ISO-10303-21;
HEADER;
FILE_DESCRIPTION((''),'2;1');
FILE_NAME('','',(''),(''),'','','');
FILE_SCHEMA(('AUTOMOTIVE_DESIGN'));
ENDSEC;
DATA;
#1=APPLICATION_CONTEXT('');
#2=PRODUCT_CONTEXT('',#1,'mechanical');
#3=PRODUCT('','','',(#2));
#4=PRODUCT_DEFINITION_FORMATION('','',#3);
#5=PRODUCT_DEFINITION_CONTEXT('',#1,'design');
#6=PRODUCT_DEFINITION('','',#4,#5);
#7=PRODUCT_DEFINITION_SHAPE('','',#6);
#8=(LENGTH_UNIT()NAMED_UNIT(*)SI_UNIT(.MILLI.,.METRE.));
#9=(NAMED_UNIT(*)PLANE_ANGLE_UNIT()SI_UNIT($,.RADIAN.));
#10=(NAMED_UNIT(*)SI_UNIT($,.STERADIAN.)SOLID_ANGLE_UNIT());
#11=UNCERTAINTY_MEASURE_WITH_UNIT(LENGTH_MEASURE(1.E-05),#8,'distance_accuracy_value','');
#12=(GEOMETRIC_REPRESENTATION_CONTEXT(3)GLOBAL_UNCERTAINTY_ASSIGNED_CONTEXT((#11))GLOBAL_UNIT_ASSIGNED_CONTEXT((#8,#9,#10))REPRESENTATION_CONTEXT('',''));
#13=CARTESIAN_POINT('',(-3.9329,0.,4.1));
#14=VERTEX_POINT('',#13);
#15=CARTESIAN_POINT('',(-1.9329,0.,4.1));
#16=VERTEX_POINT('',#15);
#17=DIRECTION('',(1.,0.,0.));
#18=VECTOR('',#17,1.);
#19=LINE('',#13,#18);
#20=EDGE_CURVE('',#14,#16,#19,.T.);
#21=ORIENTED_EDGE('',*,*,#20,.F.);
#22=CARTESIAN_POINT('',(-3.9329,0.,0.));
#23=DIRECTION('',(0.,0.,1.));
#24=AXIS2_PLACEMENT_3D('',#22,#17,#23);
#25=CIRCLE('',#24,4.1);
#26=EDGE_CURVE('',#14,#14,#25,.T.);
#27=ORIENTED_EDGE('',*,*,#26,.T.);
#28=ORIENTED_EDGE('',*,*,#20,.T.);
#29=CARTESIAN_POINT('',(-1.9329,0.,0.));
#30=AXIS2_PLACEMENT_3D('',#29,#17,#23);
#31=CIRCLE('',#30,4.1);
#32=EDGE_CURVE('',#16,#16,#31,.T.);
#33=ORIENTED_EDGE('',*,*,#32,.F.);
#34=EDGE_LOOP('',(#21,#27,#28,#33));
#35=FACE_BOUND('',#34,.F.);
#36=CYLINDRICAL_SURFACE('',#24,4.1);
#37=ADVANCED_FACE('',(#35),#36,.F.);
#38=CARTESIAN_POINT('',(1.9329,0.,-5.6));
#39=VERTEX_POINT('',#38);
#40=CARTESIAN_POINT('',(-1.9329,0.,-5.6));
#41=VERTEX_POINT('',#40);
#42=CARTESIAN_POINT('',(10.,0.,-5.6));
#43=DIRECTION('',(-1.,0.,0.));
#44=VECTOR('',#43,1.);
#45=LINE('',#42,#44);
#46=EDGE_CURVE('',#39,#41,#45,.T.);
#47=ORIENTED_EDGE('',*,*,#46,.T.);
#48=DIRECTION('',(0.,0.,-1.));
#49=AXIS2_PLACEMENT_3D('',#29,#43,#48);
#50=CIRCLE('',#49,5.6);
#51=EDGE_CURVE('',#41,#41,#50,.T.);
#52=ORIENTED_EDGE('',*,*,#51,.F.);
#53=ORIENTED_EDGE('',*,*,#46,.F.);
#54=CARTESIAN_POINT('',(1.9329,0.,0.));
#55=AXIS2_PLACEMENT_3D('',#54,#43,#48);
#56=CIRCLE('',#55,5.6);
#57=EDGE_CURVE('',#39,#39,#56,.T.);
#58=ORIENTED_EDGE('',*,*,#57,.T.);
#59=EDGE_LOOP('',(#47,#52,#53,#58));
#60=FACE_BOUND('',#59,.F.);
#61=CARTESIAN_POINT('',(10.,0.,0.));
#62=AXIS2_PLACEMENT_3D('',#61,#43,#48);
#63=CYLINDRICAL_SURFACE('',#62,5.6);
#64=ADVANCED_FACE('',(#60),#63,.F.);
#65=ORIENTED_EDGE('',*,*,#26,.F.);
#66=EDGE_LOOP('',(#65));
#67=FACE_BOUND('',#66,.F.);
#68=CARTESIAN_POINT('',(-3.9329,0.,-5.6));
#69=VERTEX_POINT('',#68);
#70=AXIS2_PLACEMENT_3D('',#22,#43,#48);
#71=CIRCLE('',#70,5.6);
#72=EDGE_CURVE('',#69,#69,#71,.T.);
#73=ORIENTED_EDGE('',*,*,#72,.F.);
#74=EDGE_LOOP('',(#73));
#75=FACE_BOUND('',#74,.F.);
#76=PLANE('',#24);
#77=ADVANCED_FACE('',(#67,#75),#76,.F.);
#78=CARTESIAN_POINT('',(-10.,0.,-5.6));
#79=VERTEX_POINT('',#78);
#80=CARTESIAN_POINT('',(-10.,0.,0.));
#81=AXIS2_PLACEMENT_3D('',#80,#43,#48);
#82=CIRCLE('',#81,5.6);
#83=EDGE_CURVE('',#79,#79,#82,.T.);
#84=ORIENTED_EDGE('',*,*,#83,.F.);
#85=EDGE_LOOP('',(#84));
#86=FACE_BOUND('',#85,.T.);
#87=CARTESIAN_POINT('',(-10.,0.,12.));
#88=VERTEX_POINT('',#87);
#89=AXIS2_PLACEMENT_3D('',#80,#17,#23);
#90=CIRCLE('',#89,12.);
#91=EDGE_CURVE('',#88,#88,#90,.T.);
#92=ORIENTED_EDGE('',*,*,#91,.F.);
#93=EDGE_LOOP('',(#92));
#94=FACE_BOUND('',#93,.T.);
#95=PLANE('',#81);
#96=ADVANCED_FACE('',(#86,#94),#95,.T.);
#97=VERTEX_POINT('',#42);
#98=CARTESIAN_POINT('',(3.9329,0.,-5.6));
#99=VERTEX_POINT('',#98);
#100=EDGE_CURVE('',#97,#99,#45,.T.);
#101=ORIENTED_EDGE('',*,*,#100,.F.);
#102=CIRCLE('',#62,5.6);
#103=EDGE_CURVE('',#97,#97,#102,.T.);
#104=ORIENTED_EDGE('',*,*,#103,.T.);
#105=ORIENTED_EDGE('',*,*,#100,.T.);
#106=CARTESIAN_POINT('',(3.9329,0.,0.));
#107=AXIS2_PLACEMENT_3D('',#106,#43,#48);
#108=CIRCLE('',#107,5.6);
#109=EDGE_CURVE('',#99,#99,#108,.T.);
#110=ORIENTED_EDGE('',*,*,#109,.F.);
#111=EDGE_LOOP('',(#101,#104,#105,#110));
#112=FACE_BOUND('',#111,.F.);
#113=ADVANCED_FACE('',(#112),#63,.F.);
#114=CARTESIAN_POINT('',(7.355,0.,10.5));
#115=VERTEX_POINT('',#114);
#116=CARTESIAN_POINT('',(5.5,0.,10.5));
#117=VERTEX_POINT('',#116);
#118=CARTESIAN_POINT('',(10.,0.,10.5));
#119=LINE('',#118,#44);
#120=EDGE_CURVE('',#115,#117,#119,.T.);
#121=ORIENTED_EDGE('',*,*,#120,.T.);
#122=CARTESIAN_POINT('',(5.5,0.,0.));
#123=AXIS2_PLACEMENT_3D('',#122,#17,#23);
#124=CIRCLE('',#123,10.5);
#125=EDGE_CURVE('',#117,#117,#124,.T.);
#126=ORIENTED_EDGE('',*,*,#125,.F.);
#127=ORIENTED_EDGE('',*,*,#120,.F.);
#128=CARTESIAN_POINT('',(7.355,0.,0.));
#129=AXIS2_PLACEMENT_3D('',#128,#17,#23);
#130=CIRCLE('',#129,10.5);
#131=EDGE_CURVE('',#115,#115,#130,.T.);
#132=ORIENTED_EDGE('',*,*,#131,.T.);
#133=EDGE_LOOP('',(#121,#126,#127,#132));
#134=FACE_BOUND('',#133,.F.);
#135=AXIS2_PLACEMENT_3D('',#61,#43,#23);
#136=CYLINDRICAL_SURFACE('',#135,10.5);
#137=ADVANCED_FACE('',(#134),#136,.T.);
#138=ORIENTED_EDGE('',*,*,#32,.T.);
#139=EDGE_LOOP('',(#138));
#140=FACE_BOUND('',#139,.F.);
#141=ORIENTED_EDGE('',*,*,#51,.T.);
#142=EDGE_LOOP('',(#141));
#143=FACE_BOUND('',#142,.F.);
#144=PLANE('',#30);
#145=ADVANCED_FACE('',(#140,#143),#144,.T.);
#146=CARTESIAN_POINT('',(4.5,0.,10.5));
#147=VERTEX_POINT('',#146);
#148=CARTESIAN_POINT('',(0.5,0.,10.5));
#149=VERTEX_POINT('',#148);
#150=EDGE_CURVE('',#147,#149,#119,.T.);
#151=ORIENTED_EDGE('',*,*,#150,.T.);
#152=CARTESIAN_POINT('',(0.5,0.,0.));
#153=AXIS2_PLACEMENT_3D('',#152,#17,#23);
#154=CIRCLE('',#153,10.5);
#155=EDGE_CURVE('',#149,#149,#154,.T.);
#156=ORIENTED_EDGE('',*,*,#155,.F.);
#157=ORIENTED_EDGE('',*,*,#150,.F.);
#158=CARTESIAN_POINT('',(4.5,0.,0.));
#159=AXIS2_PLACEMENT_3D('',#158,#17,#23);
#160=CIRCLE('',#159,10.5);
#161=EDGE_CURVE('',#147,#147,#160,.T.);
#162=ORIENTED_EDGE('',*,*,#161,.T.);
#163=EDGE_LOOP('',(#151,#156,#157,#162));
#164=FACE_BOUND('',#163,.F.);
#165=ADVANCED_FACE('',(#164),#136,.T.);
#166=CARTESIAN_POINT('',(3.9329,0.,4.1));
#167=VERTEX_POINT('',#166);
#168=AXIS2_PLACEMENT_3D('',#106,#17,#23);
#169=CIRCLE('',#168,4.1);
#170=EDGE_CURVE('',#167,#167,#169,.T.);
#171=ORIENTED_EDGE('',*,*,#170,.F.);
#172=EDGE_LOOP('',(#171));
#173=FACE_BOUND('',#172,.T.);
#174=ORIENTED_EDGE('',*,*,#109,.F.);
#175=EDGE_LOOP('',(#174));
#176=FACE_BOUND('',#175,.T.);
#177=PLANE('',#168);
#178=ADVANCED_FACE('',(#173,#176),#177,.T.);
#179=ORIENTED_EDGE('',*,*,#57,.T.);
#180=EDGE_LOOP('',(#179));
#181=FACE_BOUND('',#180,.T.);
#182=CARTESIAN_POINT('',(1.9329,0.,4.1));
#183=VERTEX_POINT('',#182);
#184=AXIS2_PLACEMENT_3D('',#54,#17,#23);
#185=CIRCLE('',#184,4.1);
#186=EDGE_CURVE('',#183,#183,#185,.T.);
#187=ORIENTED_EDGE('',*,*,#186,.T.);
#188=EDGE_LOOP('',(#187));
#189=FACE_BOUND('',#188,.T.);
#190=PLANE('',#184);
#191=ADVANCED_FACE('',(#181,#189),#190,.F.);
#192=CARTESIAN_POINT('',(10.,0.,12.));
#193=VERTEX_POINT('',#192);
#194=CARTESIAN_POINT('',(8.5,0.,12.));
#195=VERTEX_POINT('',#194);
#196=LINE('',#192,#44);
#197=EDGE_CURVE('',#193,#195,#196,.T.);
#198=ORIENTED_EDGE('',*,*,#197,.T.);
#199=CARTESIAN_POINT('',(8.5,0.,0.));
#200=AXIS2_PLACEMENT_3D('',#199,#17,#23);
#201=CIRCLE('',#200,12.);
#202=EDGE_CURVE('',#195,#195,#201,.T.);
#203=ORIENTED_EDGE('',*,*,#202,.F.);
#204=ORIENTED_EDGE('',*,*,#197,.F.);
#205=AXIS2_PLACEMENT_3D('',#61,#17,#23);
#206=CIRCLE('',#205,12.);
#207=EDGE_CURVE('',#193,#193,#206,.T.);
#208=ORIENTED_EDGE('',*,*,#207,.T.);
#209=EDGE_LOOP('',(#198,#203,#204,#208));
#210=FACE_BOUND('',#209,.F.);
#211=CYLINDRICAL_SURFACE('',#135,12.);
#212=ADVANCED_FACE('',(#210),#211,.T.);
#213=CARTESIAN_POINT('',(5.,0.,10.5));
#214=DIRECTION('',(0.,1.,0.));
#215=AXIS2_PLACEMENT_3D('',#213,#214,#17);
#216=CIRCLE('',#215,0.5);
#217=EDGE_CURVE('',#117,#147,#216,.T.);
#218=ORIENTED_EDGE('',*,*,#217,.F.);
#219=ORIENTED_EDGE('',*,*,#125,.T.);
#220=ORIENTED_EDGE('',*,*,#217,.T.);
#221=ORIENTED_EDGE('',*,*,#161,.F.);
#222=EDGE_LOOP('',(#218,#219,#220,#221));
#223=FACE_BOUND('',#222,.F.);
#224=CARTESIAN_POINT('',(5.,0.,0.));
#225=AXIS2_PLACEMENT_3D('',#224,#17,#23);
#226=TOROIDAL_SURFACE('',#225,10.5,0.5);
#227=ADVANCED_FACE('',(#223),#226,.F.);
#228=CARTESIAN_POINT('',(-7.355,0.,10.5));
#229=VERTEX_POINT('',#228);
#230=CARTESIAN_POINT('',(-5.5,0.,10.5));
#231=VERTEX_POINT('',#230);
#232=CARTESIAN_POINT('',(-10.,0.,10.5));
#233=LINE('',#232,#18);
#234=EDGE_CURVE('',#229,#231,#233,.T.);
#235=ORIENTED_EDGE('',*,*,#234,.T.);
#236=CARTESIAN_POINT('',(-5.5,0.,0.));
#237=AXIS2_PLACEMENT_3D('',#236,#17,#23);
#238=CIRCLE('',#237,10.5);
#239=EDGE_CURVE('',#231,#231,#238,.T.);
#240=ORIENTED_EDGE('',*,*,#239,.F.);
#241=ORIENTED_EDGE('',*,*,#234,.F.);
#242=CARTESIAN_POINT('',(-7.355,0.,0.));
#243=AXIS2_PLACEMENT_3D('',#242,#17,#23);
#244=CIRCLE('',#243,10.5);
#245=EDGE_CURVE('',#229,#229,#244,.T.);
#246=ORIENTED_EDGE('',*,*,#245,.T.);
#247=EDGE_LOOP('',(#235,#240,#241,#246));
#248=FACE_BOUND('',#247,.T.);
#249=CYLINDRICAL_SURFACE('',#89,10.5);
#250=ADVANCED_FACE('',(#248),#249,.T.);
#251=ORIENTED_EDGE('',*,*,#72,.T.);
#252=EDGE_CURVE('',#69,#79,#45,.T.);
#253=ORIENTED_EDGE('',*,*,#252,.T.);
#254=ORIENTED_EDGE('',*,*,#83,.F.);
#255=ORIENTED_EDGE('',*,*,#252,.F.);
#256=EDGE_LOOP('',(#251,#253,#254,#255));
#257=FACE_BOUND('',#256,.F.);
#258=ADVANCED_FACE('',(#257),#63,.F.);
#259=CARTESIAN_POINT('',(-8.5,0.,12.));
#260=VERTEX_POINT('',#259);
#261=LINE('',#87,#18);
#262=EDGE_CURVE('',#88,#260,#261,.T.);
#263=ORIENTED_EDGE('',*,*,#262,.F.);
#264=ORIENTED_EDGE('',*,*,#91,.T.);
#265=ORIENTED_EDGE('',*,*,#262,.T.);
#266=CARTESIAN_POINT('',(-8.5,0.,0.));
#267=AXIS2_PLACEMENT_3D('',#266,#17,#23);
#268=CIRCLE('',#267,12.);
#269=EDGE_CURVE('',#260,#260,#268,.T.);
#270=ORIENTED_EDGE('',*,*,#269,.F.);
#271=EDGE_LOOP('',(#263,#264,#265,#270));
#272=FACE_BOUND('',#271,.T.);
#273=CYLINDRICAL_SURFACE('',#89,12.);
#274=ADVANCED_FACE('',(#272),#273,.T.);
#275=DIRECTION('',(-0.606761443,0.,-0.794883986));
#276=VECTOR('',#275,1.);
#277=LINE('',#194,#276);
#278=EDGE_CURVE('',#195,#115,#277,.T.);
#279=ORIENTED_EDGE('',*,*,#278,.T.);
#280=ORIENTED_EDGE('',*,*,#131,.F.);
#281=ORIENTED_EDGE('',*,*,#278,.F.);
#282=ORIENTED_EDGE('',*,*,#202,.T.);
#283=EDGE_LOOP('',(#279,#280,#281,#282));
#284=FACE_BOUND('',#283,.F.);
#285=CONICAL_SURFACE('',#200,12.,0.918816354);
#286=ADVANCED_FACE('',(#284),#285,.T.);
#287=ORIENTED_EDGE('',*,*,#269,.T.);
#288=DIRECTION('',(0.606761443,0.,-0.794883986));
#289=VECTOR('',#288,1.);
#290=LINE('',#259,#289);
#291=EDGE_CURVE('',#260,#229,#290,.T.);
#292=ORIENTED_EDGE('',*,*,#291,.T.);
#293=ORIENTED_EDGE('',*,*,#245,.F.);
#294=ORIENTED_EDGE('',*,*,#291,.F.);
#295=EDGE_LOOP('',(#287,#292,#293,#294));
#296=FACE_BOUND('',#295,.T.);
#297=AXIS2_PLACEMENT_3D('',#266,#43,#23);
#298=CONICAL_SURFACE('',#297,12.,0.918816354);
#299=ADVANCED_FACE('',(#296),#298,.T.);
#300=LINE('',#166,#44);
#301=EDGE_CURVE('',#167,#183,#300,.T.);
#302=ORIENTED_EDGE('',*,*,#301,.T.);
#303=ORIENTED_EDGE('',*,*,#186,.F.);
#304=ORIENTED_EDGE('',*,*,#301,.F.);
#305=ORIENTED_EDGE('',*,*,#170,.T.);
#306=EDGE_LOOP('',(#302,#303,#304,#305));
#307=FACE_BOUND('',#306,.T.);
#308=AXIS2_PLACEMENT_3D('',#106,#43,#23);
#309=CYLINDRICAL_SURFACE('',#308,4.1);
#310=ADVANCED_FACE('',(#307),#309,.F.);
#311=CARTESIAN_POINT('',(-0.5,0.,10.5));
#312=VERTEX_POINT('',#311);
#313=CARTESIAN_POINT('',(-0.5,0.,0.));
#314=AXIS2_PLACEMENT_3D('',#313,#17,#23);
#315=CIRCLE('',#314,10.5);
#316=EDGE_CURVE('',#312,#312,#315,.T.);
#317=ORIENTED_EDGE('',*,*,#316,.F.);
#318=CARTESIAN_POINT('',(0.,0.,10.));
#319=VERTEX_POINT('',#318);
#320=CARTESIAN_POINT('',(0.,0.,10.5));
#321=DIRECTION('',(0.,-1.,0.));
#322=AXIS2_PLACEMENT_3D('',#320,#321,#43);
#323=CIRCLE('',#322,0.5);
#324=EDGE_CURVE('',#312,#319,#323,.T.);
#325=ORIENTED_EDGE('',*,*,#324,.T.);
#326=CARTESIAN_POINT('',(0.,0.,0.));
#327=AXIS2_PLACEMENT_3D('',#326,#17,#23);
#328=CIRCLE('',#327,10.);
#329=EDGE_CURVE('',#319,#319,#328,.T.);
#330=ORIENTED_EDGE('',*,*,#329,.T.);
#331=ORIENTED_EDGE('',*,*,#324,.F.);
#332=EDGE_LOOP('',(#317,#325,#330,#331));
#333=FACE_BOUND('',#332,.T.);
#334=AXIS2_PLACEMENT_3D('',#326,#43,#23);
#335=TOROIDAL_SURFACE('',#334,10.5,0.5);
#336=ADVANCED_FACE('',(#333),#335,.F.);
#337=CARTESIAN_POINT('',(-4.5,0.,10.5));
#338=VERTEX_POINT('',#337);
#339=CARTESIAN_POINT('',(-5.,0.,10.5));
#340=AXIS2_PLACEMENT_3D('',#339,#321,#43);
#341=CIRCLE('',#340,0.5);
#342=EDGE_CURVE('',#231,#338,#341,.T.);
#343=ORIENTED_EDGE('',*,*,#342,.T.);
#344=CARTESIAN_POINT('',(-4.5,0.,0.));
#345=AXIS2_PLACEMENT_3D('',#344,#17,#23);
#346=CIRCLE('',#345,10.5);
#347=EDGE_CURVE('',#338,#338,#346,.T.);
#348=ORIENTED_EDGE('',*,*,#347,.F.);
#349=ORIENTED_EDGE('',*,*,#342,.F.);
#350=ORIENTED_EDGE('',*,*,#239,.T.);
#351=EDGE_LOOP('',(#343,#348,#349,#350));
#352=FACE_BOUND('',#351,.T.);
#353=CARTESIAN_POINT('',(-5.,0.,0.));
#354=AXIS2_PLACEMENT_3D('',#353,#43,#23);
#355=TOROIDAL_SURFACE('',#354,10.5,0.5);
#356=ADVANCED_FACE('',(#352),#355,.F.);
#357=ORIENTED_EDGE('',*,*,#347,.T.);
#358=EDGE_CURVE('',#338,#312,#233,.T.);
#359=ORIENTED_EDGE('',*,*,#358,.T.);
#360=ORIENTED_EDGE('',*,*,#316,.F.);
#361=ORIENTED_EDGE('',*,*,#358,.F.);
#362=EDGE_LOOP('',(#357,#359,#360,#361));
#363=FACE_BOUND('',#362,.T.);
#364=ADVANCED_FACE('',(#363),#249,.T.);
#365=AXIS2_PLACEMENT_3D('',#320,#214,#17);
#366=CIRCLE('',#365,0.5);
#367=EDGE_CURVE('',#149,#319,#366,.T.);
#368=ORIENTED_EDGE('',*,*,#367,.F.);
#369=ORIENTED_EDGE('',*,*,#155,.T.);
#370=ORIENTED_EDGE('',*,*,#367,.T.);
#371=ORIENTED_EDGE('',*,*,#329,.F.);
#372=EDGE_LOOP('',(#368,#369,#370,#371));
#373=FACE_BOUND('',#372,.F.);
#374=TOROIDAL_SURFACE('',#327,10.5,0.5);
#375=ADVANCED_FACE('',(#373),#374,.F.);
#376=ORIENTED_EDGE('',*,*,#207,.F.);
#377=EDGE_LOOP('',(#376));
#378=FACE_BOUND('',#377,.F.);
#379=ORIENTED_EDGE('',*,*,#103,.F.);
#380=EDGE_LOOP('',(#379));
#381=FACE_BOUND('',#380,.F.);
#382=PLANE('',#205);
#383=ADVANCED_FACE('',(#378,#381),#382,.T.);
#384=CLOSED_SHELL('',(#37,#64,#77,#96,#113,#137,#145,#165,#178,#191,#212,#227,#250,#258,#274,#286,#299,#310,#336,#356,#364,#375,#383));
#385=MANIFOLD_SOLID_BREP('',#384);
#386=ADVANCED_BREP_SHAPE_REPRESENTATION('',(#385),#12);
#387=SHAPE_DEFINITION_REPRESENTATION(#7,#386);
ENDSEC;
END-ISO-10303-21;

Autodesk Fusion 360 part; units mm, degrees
sketch "Sketch1" plane through (0, 0, 0) normal (0, 1, 0) x (1, 0, 0)
  line L0 (0, 0) -> (10, 0)
  line L1 (10, 0) -> (10, -10.5)
  line L2 (10, -10.5) -> (0, -10.5)
  line L3 (0, -10.5) -> (0, 0)
  circle A0 centre (0, -10.5) radius 0.5
  circle A1 centre (5, -10.5) radius 0.5
  line L4 (10, -10.5) -> (10, -12)
  line L5 (10, -12) -> (8.5, -12)
  line L6 (8.5, -12) -> (7.355, -10.5)
  dimension "d1" = 10
  dimension "d2" = 10.5
  dimension "d3" = 1
  dimension "d4" = 1
  dimension "d5" = 5
  dimension "d6" = 1.5
  dimension "d7" = 1.5
revolve "Revolve1" add sketch "Sketch1" angle 360 about axis through (0, 0, 0) along (1, 0, 0) contours L0 L1 L2 L3 A0 A1 | L2 L4 L5 L6
mirror "Mirror1" about plane through (0, 0, 0) normal (1, 0, 0) of bodies 1 merged
hole "Hole1" at (10, 0, 0) direction (-1, 0, 0) diameter 11.2 depth 20 tip angle 180
sketch "Sketch2" plane through (0, 0, 0) normal (0, 1, 0) x (1, 0, 0)
  line L0 (3.9329, -4.1) -> (1.9329, -4.1)
  line L1 (1.9329, -4.1) -> (1.9329, -5.6)
  line L2 (1.9329, -5.6) -> (3.9329, -5.6)
  line L3 (3.9329, -5.6) -> (3.9329, -4.1)
  line L4 (0, 0) -> (0, -6)
  line L5 (-1.9329, -5.6) -> (-3.9329, -5.6)
  line L6 (-3.9329, -5.6) -> (-3.9329, -4.1)
  line L7 (-3.9329, -4.1) -> (-1.9329, -4.1)
  line L8 (-1.9329, -4.1) -> (-1.9329, -5.6)
  point P0 (9.0329, -0.6479)
  point P1 (-10, 0)
  dimension "d14" = 2
  dimension "d15" = 1.5
  dimension "d16" = 5.1
  dimension "d18" = 5.6
revolve "Revolve2" add sketch "Sketch2" angle 360 about axis through (1.75, 0, 0) along (1, 0, 0)
